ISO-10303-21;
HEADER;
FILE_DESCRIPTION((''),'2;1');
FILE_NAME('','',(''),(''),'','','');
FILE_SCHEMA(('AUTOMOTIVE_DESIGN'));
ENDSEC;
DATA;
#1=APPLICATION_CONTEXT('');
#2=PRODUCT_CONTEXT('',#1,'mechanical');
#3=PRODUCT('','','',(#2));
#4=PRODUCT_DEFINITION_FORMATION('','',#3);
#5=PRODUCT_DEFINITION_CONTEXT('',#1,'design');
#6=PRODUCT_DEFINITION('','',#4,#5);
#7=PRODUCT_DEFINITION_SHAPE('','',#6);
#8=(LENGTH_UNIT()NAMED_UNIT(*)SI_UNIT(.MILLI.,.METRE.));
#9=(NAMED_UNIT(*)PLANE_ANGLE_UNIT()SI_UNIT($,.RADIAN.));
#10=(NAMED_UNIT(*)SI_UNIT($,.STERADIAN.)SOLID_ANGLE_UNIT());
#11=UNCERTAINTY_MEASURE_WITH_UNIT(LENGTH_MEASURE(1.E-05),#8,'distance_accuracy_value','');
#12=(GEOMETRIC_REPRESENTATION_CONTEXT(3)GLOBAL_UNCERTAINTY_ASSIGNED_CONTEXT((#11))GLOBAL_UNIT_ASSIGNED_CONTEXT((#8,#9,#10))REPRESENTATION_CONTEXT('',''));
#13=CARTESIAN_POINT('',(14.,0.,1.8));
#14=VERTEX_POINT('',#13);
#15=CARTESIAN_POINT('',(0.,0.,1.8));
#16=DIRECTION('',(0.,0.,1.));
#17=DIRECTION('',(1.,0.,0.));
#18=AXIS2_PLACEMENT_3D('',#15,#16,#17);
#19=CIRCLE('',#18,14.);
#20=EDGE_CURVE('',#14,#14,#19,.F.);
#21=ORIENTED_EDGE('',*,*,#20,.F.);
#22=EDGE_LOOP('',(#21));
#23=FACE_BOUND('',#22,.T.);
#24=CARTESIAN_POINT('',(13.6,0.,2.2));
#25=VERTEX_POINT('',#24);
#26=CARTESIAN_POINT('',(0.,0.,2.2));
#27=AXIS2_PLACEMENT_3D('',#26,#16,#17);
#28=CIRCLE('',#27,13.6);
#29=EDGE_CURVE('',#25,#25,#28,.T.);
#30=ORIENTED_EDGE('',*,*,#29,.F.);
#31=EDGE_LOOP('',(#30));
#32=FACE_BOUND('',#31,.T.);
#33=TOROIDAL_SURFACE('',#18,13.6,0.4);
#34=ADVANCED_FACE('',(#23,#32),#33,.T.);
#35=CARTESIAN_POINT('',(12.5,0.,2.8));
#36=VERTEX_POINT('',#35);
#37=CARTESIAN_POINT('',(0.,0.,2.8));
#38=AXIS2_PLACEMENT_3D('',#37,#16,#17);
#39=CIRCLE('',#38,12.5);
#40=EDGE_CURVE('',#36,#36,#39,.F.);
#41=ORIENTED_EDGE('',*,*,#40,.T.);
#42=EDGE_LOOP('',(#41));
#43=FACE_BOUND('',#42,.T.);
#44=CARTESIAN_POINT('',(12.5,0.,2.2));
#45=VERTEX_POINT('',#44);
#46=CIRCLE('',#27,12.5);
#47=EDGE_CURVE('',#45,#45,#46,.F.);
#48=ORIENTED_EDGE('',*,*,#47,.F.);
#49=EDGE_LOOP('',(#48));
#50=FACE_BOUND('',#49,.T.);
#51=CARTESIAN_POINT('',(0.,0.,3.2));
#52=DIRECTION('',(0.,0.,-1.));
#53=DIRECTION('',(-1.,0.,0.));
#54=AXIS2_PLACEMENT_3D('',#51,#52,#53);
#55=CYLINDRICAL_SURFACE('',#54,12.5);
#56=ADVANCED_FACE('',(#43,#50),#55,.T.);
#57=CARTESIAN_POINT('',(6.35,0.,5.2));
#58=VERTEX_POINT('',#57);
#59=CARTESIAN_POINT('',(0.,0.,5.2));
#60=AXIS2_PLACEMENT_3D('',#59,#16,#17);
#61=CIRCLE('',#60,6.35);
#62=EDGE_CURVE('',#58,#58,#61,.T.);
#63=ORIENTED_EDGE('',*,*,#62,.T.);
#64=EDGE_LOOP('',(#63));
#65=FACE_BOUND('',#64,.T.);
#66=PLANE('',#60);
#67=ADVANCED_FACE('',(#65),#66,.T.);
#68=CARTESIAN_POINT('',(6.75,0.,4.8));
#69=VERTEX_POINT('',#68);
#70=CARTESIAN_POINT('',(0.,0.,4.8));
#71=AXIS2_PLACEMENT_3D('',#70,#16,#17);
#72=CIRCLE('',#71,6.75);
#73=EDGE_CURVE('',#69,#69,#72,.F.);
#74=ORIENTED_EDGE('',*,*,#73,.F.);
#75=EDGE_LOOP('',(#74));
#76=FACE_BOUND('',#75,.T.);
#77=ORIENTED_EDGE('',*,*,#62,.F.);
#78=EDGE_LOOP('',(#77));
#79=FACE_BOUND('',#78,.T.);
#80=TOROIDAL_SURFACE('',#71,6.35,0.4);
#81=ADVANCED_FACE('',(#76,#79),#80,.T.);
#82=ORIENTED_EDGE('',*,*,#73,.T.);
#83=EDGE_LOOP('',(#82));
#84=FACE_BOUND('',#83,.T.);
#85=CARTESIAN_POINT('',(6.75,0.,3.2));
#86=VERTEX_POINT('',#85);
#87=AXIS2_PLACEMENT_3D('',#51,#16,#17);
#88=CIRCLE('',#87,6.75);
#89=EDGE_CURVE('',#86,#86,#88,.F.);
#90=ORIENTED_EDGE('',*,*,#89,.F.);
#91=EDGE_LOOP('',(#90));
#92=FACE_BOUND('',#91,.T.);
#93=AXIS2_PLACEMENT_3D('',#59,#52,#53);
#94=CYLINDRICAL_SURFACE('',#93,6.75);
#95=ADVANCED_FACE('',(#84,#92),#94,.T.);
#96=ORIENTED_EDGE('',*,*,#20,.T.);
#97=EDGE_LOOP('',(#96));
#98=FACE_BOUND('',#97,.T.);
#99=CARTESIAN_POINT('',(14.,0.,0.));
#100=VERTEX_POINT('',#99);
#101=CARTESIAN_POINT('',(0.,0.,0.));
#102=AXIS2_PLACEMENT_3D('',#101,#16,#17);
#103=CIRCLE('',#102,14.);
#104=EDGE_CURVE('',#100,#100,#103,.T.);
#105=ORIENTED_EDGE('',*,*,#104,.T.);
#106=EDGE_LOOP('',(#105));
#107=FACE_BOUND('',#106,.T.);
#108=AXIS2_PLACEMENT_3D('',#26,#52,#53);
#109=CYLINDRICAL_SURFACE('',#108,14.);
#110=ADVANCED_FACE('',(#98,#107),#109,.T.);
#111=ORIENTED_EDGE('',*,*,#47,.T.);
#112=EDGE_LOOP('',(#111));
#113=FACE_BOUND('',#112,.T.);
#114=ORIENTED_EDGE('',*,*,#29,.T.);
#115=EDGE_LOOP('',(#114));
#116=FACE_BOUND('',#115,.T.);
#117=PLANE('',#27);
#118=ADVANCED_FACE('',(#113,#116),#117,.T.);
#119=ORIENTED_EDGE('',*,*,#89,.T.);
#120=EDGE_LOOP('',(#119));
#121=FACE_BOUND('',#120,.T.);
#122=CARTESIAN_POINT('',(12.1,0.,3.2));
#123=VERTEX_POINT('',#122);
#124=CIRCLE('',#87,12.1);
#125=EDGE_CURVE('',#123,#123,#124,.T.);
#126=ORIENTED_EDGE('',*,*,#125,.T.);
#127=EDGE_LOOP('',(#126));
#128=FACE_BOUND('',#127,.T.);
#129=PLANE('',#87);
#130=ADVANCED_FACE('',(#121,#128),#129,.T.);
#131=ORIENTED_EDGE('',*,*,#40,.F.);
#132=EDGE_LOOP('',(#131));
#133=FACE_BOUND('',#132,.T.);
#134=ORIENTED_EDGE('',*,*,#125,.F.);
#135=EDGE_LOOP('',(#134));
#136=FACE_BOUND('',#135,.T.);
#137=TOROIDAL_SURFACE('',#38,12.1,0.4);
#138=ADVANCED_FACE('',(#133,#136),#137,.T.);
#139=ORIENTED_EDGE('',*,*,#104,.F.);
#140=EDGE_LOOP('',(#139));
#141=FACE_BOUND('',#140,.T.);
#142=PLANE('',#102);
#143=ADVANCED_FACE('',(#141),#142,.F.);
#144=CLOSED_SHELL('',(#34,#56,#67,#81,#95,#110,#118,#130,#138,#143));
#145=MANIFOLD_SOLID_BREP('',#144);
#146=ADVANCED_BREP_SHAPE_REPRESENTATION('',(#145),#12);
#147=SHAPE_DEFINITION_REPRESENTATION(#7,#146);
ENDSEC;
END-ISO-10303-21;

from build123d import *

# Parameters (mm, degrees)
SKETCH2_R           = 14
BOSS_EXTRUDE2_DEPTH = 2.2
SKETCH3_R           = 12.5
BOSS_EXTRUDE5_DEPTH = 3.2
SKETCH4_R           = 6.75
BOSS_EXTRUDE6_DEPTH = 5.2
FILLET1_R           = 0.4


with BuildPart() as part:
    # Sketch2 → Boss-Extrude2 (new body)
    with BuildSketch(Plane.XY):
        Circle(SKETCH2_R)
    extrude(amount=BOSS_EXTRUDE2_DEPTH)

    # Sketch3 → Boss-Extrude5 (add)
    with BuildSketch(Plane.XY):
        Circle(SKETCH3_R)
    extrude(amount=BOSS_EXTRUDE5_DEPTH)

    # Sketch4 → Boss-Extrude6 (add)
    with BuildSketch(Plane.XY):
        Circle(SKETCH4_R)
    extrude(amount=BOSS_EXTRUDE6_DEPTH)

    # Fillet1
    fillet1_edges = [part.edges().sort_by_distance(p)[0] for p in [
        (-6.75, 0, 5.2),
        (-14, 0, 2.2),
        (-12.5, 0, 3.2),
    ]]
    fillet(fillet1_edges, radius=FILLET1_R)


solid = part.part
